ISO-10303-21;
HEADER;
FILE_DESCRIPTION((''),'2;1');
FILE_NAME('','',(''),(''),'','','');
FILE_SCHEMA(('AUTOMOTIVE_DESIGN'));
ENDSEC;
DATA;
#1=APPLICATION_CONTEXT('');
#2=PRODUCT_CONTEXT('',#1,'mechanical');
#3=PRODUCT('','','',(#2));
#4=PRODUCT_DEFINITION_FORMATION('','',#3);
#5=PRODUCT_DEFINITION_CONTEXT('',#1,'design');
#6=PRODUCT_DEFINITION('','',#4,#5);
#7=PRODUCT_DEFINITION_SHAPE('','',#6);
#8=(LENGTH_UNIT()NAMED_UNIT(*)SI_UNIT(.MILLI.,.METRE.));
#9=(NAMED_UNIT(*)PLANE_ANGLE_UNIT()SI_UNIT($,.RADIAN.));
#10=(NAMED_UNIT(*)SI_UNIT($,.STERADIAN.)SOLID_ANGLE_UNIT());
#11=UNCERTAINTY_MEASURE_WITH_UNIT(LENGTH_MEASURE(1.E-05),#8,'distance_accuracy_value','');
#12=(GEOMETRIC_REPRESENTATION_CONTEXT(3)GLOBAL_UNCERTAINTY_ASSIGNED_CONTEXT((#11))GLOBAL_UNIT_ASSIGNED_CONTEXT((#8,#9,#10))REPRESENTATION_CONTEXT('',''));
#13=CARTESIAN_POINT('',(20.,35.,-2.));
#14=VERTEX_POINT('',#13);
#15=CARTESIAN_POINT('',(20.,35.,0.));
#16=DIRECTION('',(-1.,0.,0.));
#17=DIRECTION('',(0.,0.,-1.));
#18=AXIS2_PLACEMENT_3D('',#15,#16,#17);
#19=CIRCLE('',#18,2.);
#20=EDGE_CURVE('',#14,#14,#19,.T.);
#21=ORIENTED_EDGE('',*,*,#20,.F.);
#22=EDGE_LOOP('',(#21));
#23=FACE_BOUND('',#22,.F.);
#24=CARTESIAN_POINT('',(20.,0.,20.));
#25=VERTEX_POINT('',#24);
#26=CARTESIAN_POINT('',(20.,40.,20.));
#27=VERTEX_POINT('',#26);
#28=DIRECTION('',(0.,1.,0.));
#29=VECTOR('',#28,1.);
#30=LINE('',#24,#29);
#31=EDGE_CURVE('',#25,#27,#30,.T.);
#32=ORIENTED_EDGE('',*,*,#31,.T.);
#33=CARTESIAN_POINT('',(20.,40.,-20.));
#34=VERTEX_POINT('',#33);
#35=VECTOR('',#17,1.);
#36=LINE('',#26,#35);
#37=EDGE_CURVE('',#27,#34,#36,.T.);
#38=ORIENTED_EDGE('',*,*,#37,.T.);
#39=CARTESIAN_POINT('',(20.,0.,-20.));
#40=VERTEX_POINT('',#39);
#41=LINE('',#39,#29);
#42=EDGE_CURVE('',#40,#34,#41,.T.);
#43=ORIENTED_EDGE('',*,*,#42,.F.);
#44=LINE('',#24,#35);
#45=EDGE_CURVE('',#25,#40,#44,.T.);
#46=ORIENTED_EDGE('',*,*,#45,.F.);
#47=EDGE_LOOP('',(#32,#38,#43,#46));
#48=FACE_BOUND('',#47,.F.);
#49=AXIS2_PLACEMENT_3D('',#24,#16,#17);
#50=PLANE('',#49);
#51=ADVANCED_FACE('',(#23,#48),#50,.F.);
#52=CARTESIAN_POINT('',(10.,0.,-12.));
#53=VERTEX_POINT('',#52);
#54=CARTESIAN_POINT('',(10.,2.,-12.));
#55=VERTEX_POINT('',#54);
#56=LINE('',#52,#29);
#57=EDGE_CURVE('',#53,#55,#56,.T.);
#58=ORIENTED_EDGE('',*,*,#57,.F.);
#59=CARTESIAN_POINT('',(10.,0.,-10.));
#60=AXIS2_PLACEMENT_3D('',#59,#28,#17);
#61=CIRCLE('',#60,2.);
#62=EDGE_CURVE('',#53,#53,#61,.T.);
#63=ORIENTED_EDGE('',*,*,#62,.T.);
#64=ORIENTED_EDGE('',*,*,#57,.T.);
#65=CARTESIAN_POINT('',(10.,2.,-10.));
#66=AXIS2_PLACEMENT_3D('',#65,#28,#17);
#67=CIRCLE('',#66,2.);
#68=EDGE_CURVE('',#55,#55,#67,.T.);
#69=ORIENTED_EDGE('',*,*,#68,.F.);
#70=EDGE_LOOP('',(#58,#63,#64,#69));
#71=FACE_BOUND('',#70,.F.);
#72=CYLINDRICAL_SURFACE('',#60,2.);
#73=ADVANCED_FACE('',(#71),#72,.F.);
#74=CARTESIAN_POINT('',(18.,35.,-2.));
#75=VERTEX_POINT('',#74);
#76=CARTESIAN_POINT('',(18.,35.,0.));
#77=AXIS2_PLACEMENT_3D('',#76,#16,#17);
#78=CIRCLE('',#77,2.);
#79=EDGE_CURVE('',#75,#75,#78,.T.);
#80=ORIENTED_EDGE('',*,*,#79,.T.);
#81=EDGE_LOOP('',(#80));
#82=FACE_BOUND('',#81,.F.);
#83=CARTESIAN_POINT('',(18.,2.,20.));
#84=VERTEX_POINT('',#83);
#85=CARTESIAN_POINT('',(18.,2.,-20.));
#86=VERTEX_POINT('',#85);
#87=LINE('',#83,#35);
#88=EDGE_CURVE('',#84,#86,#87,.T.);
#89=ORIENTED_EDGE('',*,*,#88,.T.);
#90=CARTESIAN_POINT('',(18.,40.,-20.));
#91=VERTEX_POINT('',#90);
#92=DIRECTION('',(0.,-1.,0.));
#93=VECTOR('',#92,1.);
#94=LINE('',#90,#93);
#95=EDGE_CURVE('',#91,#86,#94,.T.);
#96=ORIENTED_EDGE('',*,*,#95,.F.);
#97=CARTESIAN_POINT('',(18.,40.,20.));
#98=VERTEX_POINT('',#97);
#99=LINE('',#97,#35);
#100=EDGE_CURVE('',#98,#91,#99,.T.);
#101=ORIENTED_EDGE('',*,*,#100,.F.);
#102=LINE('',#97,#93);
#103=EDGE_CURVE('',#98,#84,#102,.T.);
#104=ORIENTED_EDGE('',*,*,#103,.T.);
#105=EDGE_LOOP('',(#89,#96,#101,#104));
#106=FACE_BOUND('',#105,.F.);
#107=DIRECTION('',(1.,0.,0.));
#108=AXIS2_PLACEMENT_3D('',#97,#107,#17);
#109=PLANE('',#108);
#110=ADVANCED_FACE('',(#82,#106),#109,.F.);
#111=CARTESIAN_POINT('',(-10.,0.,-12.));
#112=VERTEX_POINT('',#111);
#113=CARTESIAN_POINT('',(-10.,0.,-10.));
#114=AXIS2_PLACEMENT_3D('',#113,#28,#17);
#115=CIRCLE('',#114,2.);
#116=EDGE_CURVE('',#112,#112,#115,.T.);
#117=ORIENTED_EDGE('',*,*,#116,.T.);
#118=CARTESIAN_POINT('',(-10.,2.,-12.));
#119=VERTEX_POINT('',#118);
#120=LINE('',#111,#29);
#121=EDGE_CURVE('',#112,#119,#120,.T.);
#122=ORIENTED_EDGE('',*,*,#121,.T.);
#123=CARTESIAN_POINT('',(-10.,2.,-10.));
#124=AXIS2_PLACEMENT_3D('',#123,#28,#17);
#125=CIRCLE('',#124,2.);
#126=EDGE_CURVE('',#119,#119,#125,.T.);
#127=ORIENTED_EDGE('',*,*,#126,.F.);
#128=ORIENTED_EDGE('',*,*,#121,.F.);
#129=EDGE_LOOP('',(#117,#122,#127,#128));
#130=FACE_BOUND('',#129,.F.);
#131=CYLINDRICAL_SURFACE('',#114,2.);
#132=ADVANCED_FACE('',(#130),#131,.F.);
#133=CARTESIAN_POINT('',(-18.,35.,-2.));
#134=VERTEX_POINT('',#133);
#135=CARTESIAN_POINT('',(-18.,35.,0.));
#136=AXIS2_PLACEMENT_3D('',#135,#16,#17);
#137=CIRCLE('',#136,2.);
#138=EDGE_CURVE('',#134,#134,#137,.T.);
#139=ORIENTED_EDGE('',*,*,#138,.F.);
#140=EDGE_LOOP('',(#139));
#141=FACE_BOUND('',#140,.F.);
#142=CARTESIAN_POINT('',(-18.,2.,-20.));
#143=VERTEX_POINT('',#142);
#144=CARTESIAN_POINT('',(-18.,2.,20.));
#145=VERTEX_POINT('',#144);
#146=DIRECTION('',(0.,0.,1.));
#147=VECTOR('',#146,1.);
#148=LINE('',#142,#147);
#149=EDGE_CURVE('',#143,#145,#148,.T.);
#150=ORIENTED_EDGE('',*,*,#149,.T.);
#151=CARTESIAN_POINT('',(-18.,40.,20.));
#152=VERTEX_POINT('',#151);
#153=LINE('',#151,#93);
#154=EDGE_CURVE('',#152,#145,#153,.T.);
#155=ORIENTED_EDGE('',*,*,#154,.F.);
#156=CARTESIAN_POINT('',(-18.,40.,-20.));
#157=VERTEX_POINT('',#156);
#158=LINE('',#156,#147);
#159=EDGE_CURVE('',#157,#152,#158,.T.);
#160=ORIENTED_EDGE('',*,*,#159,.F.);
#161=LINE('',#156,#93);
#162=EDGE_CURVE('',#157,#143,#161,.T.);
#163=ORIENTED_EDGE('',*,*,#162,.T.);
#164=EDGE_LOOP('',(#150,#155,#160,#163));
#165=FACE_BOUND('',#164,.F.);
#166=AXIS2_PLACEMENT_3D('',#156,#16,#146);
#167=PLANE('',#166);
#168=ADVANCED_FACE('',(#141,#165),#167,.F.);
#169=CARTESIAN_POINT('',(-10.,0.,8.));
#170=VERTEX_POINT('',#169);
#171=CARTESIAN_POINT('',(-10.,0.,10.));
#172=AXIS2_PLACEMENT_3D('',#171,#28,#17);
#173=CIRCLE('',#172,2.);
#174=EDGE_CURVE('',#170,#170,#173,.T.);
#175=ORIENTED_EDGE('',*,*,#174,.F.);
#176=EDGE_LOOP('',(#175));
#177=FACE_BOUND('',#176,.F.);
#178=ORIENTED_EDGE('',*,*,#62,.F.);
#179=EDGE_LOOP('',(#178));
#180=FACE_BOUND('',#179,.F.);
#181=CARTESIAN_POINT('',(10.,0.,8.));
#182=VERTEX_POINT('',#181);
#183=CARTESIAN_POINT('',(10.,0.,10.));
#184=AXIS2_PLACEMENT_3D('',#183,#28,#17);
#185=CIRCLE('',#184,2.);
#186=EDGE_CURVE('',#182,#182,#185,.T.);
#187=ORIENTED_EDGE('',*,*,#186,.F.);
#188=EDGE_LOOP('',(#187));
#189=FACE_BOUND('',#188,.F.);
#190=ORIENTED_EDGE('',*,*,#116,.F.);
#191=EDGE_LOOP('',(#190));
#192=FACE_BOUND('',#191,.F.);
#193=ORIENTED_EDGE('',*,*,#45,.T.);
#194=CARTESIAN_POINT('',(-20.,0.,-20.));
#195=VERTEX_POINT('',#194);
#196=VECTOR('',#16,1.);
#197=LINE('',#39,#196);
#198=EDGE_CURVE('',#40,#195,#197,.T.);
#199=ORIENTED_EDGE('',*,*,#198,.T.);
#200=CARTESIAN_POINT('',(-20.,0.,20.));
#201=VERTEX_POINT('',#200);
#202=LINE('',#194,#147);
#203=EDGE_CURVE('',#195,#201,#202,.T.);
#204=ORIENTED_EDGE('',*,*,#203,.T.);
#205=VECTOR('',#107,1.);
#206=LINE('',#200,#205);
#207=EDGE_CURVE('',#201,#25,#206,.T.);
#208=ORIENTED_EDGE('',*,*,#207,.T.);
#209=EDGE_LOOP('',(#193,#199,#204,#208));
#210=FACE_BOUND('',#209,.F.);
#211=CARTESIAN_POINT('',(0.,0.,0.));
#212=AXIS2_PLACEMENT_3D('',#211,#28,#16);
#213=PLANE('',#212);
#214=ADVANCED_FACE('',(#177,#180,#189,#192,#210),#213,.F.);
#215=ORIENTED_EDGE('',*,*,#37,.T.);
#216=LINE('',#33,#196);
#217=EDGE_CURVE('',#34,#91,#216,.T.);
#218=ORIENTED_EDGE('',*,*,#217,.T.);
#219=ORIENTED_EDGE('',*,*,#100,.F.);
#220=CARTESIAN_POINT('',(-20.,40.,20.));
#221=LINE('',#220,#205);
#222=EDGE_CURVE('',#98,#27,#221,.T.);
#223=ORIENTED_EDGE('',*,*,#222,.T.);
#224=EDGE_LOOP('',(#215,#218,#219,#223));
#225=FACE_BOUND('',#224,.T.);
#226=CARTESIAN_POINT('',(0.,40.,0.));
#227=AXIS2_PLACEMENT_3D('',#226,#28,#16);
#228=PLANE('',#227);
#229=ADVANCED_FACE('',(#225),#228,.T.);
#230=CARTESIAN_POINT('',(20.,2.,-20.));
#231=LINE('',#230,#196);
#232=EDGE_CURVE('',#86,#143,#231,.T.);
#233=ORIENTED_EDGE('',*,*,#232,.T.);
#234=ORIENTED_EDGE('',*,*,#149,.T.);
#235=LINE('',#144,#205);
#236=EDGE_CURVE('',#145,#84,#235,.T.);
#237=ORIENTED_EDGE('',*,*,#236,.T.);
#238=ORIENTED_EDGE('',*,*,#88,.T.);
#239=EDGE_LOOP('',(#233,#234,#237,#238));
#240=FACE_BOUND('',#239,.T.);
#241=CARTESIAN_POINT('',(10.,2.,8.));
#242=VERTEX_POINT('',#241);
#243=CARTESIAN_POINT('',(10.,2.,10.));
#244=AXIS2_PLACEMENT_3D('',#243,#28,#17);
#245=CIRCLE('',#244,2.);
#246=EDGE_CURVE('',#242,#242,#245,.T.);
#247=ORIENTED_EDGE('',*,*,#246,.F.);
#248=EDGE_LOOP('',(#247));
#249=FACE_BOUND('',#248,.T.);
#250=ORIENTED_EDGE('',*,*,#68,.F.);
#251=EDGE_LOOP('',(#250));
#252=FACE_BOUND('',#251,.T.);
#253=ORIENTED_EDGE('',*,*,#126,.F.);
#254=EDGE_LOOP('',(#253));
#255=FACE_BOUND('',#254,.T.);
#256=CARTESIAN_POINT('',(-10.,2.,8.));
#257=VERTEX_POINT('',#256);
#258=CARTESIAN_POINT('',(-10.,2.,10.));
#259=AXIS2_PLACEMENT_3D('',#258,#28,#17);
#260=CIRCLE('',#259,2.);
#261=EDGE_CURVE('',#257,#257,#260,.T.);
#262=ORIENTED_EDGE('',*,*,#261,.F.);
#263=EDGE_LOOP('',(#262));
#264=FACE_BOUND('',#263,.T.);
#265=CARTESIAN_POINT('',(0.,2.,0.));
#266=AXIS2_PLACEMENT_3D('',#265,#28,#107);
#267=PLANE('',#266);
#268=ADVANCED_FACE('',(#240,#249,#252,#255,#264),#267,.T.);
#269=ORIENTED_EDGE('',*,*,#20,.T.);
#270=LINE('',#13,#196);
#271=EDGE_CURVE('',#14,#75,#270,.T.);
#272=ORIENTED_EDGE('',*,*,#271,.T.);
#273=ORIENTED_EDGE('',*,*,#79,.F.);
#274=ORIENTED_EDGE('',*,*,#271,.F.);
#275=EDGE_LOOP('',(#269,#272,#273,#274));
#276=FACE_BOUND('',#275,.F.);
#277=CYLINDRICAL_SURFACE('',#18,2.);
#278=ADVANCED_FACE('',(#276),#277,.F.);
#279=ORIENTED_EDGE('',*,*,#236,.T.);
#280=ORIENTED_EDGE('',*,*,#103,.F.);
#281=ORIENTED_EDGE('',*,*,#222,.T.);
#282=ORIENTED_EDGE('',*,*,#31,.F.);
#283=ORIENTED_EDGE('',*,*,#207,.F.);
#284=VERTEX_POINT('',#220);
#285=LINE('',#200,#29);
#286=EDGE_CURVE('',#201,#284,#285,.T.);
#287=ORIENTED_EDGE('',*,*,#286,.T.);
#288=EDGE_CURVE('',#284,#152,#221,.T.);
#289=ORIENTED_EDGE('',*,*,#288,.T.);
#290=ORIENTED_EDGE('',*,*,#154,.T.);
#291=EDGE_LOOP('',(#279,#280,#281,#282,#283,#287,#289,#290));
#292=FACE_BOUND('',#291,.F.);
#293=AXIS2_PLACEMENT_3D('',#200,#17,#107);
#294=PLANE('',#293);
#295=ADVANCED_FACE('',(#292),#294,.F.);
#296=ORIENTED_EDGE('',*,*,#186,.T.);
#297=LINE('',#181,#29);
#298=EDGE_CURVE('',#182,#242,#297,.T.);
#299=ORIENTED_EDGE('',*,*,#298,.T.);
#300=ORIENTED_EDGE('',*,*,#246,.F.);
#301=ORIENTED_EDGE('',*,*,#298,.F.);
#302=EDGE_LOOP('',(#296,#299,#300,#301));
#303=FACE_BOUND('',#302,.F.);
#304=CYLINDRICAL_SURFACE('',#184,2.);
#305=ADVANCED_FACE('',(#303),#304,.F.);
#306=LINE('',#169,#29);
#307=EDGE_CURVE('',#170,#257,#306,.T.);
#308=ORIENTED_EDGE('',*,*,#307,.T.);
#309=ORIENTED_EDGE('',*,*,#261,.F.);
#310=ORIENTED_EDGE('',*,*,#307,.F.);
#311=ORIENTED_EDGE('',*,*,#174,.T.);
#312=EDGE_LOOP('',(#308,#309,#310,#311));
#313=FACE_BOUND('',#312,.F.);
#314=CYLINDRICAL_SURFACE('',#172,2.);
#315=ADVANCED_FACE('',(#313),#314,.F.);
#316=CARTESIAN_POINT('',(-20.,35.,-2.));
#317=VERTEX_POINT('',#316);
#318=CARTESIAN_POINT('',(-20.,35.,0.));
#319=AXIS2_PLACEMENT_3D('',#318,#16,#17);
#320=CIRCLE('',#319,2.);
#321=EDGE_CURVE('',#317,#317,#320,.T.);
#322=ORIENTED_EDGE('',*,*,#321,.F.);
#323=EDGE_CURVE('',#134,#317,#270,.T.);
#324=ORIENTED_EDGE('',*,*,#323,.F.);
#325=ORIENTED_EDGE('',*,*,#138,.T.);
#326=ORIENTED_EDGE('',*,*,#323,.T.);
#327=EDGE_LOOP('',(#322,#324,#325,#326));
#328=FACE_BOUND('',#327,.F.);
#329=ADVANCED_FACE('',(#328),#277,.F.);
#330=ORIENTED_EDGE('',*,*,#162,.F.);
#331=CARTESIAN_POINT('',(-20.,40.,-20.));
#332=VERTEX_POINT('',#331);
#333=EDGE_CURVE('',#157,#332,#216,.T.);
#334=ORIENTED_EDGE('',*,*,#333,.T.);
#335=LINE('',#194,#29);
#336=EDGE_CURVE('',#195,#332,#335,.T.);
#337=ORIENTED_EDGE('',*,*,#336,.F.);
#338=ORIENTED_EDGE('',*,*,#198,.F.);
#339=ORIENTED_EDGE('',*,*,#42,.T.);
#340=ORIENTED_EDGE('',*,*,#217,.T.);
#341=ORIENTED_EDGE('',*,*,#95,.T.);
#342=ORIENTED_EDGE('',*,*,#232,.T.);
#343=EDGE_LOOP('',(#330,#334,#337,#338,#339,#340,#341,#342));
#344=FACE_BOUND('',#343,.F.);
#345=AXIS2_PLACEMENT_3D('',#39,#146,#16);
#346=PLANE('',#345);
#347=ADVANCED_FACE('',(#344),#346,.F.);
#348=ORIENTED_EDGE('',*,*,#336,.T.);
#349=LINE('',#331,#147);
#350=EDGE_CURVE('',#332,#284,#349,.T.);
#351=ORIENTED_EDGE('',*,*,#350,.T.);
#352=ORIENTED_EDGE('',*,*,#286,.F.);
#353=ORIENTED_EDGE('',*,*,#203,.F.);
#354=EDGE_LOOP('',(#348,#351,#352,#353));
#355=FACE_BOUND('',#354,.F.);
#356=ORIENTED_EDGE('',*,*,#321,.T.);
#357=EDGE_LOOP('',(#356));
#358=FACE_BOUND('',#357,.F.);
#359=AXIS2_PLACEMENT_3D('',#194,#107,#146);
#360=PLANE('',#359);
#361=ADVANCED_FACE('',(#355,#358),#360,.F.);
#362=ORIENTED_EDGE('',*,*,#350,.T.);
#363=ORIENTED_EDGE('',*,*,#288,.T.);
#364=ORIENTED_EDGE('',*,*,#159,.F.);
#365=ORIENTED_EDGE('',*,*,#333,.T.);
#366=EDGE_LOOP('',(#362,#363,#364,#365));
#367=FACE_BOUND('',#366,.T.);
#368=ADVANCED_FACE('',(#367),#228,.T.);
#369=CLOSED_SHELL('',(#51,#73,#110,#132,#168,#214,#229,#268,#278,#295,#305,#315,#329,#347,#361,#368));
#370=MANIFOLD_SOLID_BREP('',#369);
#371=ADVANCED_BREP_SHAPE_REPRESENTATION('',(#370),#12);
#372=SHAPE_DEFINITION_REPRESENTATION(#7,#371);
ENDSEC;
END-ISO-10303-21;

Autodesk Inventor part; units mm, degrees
ref_plane "YZ Plane" through (0, 0, 0) normal (1, 0, 0) x (0, 1, 0)
ref_plane "XZ Plane" through (0, 0, 0) normal (0, 1, 0) x (-1, 0, 0)
ref_plane "XY Plane" through (0, 0, 0) normal (0, 0, 1) x (1, 0, 0)
sketch "スケッチ1" plane through (0, 0, 0) normal (0, 1, 0) x (-1, 0, 0)
  line L0 (20, 20) -> (-20, 20)
  line L1 (-20, 20) -> (-20, -20)
  line L2 (-20, -20) -> (20, -20)
  line L3 (20, -20) -> (20, 20)
  line L4 (20, 20) -> (-20, -20) construction
  line L5 (-20, 20) -> (20, -20) construction
  point P0 (0, 0)
  dimension "d0" = 40
  dimension "d1" = 40
extrude "押し出し1" add sketch "スケッチ1" along normal blind 40
sketch "スケッチ2" plane through (0, 40, 0) normal (0, 1, 0) x (1, 0, 0)
  line L0 (20, 20) -> (-20, 20) projected
  line L1 (-18, -20) -> (18, -20)
  line L2 (18, -20) -> (18, 20)
  line L3 (18, 20) -> (-18, 20)
  line L4 (-18, 20) -> (-18, -20)
  line L5 (-18, -20) -> (18, 20) construction
  line L6 (18, -20) -> (-18, 20) construction
  point P0 (0, 0)
  dimension "d4" = 36
extrude "押し出し2" cut sketch "スケッチ2" against normal blind 38
sketch "スケッチ3" plane through (0, 0, 0) normal (0, -1, 0) x (1, 0, 0)
  line L0 (-20, 20) -> (20, 20) projected
  line L1 (20, 20) -> (20, -20) projected
  point P0 (0, 0)
  point P1 (10, 10)
  point P2 (10, -10)
  point P3 (-10, 10)
  point P4 (-10, -10)
  dimension "d7" = 10
  dimension "d8" = 10
  dimension "d11" = 20
  dimension "d14" = 20
hole "穴1" at (10, 0, 10) at (10, 0, -10) at (-10, 0, 10) at (-10, 0, -10) direction (0, 1, 0) diameter 4 end through all
sketch "スケッチ4" plane through (20, 0, 20) normal (1, 0, 0) x (0, 0, -1)
  line L0 (0, 40) -> (40, 40) projected
  line L1 (0, 0) -> (0, 40) projected
  point P0 (20, 0)
  point P1 (20, 35)
  dimension "d24" = 5
  dimension "d25" = 20
hole "穴2" at (20, 35, 0) direction (-1, 0, 0) diameter 4 end through all
properties part number "blaket_1"
